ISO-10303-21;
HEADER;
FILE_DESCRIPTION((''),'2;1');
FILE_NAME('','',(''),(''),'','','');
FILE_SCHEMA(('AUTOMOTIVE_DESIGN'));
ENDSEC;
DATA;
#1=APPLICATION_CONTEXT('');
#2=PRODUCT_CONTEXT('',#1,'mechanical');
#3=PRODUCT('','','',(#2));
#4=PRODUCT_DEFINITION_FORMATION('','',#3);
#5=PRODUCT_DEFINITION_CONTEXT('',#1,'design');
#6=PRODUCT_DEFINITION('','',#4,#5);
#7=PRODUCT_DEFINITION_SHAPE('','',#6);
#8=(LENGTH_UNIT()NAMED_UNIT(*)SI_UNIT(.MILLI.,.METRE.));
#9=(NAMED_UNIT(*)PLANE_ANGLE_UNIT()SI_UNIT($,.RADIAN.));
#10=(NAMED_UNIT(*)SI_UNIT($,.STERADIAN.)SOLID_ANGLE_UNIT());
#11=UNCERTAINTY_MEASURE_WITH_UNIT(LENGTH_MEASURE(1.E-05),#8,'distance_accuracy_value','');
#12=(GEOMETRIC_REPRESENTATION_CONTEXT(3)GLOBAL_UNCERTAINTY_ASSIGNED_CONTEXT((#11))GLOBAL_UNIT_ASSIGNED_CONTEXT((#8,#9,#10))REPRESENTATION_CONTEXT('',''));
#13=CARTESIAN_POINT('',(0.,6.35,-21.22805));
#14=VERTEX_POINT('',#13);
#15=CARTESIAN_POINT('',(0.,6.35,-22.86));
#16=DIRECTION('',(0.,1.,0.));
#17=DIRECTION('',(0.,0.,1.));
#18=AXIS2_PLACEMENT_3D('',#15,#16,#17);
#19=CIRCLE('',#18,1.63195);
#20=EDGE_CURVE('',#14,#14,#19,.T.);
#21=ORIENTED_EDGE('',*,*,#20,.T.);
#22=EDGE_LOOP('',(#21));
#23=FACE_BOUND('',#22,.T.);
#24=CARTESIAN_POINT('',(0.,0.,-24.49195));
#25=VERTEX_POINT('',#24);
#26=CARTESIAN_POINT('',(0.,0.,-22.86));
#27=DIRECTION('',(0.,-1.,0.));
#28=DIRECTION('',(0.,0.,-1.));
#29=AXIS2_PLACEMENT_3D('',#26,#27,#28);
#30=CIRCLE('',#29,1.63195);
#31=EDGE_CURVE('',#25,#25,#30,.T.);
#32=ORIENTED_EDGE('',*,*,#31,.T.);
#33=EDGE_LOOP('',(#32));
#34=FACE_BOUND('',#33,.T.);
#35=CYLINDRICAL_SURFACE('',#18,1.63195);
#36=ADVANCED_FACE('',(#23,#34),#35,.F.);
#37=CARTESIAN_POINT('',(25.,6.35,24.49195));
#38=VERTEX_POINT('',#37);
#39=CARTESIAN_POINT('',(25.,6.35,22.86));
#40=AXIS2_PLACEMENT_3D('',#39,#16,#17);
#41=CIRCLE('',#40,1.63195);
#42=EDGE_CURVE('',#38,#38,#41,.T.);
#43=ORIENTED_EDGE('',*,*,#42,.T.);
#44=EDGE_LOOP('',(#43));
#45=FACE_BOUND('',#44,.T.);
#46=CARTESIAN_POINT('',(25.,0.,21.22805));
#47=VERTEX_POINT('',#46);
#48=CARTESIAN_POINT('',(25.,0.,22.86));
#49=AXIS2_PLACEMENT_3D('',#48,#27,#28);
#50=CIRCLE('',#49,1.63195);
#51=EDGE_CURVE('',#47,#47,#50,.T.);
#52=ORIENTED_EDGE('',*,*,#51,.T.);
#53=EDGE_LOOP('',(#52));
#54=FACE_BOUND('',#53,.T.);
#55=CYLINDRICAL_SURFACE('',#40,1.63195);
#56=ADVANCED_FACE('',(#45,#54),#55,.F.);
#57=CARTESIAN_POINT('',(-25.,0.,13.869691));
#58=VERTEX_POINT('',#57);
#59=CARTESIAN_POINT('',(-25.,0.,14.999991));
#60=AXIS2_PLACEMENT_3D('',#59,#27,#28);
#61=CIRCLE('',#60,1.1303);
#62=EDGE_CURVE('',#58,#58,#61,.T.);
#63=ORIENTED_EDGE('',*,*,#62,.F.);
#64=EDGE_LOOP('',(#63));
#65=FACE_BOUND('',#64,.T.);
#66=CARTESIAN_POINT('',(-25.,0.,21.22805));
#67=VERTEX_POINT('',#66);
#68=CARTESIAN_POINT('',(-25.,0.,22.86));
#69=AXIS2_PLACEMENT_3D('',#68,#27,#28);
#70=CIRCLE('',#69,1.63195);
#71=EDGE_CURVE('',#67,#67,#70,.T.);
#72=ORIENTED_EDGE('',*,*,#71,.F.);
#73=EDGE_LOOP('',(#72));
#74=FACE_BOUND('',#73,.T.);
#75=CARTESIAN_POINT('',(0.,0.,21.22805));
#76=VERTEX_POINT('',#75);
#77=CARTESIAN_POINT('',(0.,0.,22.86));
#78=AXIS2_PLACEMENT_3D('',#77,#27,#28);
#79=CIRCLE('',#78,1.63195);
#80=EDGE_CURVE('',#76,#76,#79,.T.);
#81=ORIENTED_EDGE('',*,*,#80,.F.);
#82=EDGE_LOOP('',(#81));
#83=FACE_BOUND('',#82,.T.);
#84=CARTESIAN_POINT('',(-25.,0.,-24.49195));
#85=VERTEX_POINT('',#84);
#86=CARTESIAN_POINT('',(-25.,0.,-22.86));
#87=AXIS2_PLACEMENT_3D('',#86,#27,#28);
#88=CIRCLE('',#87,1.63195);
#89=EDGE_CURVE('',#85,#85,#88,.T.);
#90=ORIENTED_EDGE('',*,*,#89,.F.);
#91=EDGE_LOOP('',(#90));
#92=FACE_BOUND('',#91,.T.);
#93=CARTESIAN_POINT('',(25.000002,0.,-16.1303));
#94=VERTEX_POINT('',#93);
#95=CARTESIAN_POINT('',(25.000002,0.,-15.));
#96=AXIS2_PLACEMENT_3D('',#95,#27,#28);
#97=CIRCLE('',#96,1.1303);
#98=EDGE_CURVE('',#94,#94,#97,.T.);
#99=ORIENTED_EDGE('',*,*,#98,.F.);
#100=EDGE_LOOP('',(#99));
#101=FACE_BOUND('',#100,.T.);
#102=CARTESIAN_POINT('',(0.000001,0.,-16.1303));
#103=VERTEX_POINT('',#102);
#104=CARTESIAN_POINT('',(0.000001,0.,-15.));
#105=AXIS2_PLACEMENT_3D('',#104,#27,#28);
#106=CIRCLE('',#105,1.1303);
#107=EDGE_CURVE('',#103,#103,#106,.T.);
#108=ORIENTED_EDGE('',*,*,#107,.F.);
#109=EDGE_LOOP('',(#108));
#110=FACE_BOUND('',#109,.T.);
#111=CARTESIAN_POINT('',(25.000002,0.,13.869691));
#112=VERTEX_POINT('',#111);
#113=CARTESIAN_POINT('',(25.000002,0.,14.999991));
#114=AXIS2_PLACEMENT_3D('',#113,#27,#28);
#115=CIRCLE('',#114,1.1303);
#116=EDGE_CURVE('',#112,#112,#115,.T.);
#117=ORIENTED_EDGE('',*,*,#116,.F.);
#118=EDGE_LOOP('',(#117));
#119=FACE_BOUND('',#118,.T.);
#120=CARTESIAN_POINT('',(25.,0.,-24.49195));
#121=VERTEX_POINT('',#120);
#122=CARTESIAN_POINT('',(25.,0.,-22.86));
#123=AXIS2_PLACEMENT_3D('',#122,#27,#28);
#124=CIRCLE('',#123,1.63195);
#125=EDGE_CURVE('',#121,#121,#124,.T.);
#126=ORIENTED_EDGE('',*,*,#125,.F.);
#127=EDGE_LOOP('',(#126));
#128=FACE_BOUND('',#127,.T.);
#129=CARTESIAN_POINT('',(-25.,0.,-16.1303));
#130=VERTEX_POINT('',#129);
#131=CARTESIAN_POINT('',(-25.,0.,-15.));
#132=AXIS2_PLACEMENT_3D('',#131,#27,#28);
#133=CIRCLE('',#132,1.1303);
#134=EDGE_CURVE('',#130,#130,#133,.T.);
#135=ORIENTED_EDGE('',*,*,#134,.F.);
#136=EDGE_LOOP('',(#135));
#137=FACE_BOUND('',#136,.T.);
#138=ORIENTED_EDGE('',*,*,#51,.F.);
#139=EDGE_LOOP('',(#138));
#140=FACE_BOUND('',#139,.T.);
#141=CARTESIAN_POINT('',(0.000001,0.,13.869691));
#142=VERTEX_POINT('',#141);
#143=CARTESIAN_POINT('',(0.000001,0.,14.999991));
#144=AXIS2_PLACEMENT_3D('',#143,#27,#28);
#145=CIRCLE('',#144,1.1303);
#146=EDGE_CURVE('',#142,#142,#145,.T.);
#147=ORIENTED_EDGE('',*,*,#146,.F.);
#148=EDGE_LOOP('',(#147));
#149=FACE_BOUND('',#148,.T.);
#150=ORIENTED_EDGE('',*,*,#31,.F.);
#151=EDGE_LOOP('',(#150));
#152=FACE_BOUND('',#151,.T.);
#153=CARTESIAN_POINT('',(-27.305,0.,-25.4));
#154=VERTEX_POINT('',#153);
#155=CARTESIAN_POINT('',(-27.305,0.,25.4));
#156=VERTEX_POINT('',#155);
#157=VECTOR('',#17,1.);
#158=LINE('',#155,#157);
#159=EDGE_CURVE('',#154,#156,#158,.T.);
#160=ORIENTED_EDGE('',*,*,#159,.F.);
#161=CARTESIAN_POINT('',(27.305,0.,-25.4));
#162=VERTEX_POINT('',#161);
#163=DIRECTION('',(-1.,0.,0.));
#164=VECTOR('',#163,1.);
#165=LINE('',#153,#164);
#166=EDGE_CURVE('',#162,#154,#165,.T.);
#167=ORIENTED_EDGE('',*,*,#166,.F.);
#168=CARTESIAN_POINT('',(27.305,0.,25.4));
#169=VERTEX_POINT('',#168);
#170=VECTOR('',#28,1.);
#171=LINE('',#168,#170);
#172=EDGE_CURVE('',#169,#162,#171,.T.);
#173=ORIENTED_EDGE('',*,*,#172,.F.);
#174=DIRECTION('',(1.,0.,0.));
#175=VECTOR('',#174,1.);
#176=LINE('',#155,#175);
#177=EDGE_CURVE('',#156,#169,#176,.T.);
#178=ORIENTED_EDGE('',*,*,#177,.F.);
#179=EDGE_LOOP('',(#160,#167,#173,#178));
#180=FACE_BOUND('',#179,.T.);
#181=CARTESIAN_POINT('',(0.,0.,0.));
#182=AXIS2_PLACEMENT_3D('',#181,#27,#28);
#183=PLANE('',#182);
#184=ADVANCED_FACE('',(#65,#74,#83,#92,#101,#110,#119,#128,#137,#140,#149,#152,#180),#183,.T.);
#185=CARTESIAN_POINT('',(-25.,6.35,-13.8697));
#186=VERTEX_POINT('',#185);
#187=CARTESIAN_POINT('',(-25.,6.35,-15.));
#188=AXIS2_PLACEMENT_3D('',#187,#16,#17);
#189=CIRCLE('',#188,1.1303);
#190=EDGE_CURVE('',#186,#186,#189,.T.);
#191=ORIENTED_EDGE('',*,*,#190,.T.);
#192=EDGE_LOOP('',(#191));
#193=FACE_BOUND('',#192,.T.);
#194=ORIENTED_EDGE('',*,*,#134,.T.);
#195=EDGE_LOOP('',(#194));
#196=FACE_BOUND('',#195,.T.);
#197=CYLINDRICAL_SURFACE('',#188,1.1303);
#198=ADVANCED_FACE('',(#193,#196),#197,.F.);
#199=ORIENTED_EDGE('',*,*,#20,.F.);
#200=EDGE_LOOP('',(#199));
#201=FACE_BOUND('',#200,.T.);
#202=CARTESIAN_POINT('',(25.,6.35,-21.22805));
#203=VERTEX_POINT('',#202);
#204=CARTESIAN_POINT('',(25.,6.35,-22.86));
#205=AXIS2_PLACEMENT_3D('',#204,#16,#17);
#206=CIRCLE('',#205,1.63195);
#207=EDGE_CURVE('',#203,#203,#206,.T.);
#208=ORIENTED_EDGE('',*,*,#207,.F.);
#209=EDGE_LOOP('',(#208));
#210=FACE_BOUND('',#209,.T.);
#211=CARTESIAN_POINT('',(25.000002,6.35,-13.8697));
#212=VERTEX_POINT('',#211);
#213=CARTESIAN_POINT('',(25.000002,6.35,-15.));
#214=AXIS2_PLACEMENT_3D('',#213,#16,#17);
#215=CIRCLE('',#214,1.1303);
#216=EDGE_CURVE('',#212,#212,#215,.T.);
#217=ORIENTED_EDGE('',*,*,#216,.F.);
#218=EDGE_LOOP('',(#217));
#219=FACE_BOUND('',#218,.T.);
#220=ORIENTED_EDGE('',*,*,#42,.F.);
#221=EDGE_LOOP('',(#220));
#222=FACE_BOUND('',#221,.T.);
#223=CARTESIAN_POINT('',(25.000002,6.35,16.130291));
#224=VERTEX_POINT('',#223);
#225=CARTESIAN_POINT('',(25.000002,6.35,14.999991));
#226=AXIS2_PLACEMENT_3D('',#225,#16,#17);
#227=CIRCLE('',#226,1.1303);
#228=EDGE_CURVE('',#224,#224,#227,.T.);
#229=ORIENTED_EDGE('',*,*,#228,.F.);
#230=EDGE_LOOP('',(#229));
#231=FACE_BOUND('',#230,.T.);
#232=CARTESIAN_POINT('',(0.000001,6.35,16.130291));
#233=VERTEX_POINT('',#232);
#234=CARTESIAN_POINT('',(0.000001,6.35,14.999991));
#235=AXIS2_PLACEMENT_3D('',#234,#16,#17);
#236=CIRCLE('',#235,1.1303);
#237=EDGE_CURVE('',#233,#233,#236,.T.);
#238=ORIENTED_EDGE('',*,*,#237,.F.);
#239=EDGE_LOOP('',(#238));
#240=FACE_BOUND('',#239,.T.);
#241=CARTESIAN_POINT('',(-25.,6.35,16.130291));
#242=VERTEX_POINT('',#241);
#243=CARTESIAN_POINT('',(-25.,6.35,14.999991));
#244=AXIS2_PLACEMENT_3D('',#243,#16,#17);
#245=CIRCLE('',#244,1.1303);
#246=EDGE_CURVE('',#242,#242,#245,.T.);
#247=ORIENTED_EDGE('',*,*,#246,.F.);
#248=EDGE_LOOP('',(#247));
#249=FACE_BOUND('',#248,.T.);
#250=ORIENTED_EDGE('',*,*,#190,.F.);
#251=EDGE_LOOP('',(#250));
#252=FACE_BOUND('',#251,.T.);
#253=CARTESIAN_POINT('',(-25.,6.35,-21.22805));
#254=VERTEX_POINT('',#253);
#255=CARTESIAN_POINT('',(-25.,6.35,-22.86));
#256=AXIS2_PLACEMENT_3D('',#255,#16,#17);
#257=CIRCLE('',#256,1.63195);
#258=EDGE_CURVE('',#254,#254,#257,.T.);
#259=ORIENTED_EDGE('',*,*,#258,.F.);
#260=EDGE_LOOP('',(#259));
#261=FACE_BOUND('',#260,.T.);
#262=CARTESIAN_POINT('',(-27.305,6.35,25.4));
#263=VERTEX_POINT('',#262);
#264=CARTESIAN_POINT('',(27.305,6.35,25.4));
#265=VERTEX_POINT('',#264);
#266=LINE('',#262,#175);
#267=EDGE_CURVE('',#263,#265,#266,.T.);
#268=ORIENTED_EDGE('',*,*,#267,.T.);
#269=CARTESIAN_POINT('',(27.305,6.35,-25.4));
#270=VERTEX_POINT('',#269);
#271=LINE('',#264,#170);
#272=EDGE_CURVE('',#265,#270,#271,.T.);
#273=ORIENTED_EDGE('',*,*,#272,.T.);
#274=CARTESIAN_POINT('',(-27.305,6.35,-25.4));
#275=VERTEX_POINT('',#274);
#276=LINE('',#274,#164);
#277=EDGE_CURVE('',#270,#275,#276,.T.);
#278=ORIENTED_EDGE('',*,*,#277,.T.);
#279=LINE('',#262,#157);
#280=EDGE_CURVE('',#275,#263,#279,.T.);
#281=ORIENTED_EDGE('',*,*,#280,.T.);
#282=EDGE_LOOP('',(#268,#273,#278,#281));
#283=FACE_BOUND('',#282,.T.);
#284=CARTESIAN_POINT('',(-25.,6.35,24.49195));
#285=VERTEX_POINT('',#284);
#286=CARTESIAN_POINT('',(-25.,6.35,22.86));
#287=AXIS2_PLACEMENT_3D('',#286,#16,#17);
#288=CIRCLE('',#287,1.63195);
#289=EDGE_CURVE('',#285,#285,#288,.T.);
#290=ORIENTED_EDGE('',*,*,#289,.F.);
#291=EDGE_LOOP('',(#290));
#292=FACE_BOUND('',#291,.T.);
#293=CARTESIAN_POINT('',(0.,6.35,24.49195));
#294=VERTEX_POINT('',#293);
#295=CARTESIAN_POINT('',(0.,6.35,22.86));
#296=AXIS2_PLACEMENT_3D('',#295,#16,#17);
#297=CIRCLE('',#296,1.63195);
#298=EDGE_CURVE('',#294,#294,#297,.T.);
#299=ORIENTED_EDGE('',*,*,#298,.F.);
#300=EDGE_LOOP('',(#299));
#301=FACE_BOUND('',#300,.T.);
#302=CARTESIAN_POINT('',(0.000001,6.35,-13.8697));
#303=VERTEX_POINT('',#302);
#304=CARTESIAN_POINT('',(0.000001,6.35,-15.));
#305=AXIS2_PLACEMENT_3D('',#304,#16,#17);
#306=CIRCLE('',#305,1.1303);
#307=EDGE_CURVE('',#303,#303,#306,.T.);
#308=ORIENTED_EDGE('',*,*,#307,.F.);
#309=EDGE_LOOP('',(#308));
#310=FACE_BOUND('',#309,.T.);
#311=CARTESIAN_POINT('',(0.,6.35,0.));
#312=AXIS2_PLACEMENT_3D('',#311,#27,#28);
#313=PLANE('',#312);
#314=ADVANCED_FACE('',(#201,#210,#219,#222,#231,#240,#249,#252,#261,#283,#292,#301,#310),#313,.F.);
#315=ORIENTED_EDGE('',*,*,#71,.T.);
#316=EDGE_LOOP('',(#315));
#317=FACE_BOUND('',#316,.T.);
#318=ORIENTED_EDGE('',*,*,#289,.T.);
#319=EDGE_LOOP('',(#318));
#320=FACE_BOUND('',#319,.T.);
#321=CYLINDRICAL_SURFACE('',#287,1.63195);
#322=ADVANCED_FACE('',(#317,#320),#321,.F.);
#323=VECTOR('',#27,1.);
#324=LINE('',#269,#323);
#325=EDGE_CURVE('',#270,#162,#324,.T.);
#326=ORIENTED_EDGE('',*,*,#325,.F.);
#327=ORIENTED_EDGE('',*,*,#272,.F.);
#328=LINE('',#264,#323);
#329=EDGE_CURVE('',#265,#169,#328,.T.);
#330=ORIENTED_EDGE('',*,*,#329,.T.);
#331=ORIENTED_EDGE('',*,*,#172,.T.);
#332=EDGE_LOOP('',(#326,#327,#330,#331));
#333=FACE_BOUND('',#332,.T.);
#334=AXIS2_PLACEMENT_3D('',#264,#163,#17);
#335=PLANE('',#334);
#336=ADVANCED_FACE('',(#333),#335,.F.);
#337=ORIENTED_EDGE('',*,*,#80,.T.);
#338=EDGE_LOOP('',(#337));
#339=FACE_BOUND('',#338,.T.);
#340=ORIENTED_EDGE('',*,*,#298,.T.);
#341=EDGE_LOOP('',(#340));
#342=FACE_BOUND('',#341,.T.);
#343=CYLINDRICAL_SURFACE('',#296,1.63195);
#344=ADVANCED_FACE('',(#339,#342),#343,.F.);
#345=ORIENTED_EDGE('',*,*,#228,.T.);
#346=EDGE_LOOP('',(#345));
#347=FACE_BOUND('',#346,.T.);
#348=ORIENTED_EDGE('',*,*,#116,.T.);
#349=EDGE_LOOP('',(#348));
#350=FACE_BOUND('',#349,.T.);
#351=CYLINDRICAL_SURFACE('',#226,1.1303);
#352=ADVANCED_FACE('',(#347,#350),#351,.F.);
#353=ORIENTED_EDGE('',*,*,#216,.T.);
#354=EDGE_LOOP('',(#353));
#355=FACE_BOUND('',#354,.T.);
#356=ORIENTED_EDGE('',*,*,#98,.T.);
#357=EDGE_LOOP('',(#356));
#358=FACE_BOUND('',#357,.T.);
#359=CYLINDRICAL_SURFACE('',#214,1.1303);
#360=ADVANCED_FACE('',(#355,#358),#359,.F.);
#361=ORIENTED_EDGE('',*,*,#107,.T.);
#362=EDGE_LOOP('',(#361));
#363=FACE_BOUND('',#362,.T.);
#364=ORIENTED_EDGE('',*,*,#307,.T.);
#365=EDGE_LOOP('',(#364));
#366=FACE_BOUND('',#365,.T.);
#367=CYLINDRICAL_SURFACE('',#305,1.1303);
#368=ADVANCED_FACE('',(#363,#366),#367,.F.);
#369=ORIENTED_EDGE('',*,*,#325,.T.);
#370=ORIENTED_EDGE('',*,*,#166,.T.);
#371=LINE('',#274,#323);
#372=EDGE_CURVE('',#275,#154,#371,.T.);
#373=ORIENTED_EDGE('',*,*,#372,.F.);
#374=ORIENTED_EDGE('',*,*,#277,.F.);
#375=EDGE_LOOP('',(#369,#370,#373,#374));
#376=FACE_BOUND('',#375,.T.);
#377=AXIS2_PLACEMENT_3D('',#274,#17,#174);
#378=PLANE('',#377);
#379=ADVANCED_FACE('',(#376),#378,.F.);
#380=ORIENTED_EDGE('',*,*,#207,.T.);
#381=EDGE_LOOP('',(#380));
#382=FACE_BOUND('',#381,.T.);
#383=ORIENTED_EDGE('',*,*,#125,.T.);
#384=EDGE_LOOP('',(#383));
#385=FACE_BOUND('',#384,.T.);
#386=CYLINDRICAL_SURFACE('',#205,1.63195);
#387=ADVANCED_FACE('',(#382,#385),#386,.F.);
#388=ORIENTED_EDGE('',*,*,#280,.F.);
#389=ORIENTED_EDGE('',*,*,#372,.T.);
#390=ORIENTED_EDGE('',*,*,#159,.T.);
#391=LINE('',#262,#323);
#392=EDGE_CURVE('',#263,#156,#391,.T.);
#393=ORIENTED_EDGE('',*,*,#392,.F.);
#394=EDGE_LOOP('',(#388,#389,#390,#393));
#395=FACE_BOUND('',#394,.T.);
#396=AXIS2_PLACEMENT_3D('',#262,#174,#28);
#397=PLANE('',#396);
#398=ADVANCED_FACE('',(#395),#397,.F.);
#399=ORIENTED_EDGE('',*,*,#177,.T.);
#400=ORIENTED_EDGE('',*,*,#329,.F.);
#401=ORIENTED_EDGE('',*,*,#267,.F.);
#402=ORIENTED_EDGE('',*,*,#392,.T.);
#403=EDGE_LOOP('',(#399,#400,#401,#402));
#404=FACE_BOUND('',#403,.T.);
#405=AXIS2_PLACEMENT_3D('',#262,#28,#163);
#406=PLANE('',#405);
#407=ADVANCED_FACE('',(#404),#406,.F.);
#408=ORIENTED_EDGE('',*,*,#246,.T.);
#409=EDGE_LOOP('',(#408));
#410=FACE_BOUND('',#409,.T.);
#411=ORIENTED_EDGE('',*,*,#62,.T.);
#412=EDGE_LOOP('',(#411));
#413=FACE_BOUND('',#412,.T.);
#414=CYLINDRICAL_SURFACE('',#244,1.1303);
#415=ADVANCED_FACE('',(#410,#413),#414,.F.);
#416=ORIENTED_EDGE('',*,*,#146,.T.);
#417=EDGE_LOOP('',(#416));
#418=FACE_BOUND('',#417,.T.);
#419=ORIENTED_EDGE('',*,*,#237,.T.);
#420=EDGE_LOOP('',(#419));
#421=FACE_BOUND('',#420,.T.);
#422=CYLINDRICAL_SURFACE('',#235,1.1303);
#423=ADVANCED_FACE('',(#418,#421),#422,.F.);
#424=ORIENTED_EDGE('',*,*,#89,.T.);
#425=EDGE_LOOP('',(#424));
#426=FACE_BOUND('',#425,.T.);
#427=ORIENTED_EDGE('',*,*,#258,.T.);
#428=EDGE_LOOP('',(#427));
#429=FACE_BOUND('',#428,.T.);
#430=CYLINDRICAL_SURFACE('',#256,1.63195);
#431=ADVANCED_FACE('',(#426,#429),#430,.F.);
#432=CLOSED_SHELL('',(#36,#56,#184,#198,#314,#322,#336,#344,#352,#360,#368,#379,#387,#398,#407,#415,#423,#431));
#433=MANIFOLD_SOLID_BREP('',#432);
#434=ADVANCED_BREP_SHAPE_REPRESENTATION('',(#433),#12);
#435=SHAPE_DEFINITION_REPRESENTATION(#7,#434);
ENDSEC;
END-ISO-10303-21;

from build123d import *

# Parameters (mm, degrees)
SKETCH1_W                 = 54.61
SKETCH1_H                 = 50.8
BOSS_EXTRUDE1_DEPTH       = 6.35
F_4_40_TAPPED_HOLE1_D     = 2.2606
F_4_40_TAPPED_HOLE1_DEPTH = 6.35
F_4_CLEARANCE_HOLE1_D     = 3.2639
F_4_CLEARANCE_HOLE1_DEPTH = 6.35


with BuildPart() as part:
    # Sketch1 → Boss-Extrude1 (new body)
    with BuildSketch(Plane(origin=(0, 0, 0), x_dir=(1, 0, 0), z_dir=(0, 1, 0))):
        Rectangle(SKETCH1_W, SKETCH1_H)
    extrude(amount=BOSS_EXTRUDE1_DEPTH)

    # #4-40 Tapped Hole1
    with Locations(Plane(origin=(0, 6.35, 0), x_dir=(1, 0, 0), z_dir=(0, 1, 0))):
        with Locations((-25, 15), (8e-07, 15), (25.0000016, 15), (8e-07, -14.9999908), (25.0000016, -14.9999908), (-25, -14.9999908)):
            Hole(F_4_40_TAPPED_HOLE1_D / 2, depth=F_4_40_TAPPED_HOLE1_DEPTH)

    # #4 Clearance Hole1
    with Locations(Plane(origin=(0, 6.35, 0), x_dir=(1, 0, 0), z_dir=(0, 1, 0))):
        with Locations((-25, 22.86), (0, 22.86), (25, 22.86), (0, -22.86), (25, -22.86), (-25, -22.86)):
            Hole(F_4_CLEARANCE_HOLE1_D / 2, depth=F_4_CLEARANCE_HOLE1_DEPTH)


solid = part.part
